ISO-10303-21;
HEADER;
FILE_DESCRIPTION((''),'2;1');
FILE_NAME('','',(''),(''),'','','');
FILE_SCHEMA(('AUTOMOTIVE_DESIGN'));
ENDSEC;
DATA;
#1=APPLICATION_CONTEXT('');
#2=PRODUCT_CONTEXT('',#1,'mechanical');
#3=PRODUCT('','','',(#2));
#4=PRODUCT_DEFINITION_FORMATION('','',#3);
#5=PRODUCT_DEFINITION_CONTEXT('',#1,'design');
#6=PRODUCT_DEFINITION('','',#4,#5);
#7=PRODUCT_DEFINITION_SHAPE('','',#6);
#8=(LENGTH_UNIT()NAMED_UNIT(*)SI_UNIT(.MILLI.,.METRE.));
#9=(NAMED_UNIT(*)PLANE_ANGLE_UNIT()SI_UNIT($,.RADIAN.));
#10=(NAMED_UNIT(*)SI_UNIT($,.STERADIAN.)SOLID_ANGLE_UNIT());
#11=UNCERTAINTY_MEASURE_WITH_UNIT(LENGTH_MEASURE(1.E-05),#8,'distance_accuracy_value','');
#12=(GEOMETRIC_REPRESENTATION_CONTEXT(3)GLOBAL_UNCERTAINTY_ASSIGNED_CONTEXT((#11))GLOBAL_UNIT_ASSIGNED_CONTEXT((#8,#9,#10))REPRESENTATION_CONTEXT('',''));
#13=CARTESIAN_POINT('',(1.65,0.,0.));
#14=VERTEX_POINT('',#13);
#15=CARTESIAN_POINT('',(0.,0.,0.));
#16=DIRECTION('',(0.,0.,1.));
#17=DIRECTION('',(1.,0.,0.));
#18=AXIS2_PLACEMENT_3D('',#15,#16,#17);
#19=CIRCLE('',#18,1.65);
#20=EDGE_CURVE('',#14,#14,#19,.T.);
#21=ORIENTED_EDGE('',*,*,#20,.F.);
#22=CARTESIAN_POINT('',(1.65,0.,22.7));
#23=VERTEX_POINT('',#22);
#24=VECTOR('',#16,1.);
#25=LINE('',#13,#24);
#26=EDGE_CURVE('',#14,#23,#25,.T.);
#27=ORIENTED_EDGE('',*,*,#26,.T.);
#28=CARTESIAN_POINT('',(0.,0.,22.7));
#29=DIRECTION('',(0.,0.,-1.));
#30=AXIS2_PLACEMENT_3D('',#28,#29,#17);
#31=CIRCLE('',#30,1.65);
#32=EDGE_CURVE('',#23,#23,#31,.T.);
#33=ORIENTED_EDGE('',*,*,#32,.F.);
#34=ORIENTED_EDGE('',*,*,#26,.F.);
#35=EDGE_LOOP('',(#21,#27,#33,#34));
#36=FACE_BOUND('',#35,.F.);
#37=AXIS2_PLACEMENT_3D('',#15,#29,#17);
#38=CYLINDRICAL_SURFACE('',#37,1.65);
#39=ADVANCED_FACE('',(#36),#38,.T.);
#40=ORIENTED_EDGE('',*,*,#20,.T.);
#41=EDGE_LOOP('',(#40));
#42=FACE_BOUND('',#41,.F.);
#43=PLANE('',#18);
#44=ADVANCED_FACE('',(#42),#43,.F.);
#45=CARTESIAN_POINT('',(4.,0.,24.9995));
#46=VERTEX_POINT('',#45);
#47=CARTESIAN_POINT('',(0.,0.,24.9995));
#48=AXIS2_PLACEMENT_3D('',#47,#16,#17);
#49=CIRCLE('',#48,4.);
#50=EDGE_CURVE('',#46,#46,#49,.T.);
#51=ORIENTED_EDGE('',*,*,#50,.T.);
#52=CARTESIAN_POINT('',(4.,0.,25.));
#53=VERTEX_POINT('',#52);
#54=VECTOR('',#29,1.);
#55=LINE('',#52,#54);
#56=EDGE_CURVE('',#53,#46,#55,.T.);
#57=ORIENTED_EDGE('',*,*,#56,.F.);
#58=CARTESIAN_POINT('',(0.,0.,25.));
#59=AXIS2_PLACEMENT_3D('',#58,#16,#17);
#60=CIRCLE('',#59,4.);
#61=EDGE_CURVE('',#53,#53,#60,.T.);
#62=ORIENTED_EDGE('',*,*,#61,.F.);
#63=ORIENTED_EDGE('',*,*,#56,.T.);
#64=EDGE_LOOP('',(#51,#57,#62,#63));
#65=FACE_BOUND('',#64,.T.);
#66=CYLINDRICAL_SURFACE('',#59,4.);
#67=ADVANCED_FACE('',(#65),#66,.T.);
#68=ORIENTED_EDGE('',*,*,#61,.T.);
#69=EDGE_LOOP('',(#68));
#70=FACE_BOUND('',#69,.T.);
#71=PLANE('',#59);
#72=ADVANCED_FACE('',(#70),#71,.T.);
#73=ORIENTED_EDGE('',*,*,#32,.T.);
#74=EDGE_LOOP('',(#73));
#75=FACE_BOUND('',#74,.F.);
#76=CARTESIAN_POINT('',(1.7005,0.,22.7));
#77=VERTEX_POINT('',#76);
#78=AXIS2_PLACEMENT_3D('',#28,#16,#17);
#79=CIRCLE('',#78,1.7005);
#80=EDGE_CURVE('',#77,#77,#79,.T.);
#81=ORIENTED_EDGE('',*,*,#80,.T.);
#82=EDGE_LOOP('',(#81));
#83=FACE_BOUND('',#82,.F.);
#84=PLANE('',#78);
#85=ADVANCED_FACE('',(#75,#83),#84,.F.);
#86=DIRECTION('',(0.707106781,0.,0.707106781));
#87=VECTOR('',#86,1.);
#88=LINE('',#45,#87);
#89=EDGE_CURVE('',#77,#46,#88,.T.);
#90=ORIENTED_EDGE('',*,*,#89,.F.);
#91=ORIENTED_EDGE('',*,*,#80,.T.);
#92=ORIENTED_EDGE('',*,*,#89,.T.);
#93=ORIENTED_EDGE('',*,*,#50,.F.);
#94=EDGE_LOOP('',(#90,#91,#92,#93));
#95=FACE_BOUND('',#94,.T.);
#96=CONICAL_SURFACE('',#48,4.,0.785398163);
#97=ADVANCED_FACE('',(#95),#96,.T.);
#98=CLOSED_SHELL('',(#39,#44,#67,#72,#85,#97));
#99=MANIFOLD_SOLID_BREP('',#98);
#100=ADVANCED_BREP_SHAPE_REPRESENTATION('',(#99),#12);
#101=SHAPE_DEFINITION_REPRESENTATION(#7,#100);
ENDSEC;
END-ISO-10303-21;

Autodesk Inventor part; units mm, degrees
ref_plane "YZ Plane" through (0, 0, 0) normal (1, 0, 0) x (0, 1, 0)
ref_plane "XZ Plane" through (0, 0, 0) normal (0, 1, 0) x (-1, 0, 0)
ref_plane "XY Plane" through (0, 0, 0) normal (0, 0, 1) x (1, 0, 0)
sketch "スケッチ1" plane through (0, 0, 0) normal (0, 0, 1) x (1, 0, 0)
  circle A0 centre (0, 0) radius 1.65
  dimension "d0" = 3.3
extrude "押し出し1" add sketch "スケッチ1" along normal blind 25
sketch "スケッチ2" plane through (0, 0, 25) normal (0, 0, 1) x (1, 0, 0)
  circle A0 centre (0, 0) radius 4
  dimension "d3" = 8
extrude "押し出し2" add sketch "スケッチ2" against normal blind 2.3
chamfer "面取り1" distance 2.3 angle 45 1 edges at (-4, 0, 22.7)
thread "ねじ1" size "M3.5x0.6" class "6g" standard "ANSI Metric M Profile" full length
properties part number "ネジ皿m4,25" material "鋼、高強度、低合金"
